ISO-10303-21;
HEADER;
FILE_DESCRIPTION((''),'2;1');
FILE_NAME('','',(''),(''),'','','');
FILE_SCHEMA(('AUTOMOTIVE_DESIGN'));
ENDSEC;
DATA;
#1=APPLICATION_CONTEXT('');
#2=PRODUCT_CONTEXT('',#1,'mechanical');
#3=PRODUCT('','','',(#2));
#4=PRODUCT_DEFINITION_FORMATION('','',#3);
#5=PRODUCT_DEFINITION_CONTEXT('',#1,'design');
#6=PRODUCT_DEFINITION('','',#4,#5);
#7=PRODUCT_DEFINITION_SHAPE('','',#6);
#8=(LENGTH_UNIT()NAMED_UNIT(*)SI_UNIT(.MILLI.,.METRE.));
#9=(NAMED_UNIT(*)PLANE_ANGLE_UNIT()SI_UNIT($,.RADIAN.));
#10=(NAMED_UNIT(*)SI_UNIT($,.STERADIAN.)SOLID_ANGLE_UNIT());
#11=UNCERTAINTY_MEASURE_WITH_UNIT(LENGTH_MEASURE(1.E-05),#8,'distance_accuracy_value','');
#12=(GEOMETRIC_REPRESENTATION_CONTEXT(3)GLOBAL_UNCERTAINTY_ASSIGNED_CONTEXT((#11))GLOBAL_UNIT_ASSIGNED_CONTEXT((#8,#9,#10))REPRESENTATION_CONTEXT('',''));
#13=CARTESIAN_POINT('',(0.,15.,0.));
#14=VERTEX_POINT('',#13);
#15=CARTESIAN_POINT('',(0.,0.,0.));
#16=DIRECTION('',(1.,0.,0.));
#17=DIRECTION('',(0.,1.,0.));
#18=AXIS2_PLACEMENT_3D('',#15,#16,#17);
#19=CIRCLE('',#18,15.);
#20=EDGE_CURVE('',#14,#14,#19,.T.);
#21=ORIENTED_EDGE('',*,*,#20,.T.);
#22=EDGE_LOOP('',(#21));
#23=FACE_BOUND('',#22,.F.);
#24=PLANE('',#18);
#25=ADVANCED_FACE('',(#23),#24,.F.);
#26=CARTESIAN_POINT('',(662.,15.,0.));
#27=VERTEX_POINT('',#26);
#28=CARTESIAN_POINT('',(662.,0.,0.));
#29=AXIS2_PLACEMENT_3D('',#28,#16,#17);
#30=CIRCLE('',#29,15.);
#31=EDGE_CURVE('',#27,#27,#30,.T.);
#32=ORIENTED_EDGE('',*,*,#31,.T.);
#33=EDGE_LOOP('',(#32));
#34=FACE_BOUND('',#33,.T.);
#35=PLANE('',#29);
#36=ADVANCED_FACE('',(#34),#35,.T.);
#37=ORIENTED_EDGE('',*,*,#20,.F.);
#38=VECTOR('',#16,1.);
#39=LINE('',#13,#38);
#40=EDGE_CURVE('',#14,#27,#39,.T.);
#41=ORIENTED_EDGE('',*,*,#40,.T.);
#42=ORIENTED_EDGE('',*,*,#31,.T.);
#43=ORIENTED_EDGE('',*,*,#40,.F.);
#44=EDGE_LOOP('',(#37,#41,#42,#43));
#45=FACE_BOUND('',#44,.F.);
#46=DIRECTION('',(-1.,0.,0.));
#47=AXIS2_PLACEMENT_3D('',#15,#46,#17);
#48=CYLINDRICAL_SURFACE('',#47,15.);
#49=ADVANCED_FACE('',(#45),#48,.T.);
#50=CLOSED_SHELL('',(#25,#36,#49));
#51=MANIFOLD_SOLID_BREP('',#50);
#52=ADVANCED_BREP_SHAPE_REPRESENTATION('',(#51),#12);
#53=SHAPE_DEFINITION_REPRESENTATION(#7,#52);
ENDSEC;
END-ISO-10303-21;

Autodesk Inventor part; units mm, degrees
ref_plane "YZ Plane" through (0, 0, 0) normal (1, 0, 0) x (0, 1, 0)
ref_plane "XZ Plane" through (0, 0, 0) normal (0, 1, 0) x (-1, 0, 0)
ref_plane "XY Plane" through (0, 0, 0) normal (0, 0, 1) x (1, 0, 0)
sketch "Esquisse1" plane through (0, 0, 0) normal (1, 0, 0) x (0, 1, 0)
  circle A0 centre (0, 0) radius 15
  dimension "d0" = 30
extrude "Extrusion1" add sketch "Esquisse1" along normal blind 662
properties part number "center_rod"
